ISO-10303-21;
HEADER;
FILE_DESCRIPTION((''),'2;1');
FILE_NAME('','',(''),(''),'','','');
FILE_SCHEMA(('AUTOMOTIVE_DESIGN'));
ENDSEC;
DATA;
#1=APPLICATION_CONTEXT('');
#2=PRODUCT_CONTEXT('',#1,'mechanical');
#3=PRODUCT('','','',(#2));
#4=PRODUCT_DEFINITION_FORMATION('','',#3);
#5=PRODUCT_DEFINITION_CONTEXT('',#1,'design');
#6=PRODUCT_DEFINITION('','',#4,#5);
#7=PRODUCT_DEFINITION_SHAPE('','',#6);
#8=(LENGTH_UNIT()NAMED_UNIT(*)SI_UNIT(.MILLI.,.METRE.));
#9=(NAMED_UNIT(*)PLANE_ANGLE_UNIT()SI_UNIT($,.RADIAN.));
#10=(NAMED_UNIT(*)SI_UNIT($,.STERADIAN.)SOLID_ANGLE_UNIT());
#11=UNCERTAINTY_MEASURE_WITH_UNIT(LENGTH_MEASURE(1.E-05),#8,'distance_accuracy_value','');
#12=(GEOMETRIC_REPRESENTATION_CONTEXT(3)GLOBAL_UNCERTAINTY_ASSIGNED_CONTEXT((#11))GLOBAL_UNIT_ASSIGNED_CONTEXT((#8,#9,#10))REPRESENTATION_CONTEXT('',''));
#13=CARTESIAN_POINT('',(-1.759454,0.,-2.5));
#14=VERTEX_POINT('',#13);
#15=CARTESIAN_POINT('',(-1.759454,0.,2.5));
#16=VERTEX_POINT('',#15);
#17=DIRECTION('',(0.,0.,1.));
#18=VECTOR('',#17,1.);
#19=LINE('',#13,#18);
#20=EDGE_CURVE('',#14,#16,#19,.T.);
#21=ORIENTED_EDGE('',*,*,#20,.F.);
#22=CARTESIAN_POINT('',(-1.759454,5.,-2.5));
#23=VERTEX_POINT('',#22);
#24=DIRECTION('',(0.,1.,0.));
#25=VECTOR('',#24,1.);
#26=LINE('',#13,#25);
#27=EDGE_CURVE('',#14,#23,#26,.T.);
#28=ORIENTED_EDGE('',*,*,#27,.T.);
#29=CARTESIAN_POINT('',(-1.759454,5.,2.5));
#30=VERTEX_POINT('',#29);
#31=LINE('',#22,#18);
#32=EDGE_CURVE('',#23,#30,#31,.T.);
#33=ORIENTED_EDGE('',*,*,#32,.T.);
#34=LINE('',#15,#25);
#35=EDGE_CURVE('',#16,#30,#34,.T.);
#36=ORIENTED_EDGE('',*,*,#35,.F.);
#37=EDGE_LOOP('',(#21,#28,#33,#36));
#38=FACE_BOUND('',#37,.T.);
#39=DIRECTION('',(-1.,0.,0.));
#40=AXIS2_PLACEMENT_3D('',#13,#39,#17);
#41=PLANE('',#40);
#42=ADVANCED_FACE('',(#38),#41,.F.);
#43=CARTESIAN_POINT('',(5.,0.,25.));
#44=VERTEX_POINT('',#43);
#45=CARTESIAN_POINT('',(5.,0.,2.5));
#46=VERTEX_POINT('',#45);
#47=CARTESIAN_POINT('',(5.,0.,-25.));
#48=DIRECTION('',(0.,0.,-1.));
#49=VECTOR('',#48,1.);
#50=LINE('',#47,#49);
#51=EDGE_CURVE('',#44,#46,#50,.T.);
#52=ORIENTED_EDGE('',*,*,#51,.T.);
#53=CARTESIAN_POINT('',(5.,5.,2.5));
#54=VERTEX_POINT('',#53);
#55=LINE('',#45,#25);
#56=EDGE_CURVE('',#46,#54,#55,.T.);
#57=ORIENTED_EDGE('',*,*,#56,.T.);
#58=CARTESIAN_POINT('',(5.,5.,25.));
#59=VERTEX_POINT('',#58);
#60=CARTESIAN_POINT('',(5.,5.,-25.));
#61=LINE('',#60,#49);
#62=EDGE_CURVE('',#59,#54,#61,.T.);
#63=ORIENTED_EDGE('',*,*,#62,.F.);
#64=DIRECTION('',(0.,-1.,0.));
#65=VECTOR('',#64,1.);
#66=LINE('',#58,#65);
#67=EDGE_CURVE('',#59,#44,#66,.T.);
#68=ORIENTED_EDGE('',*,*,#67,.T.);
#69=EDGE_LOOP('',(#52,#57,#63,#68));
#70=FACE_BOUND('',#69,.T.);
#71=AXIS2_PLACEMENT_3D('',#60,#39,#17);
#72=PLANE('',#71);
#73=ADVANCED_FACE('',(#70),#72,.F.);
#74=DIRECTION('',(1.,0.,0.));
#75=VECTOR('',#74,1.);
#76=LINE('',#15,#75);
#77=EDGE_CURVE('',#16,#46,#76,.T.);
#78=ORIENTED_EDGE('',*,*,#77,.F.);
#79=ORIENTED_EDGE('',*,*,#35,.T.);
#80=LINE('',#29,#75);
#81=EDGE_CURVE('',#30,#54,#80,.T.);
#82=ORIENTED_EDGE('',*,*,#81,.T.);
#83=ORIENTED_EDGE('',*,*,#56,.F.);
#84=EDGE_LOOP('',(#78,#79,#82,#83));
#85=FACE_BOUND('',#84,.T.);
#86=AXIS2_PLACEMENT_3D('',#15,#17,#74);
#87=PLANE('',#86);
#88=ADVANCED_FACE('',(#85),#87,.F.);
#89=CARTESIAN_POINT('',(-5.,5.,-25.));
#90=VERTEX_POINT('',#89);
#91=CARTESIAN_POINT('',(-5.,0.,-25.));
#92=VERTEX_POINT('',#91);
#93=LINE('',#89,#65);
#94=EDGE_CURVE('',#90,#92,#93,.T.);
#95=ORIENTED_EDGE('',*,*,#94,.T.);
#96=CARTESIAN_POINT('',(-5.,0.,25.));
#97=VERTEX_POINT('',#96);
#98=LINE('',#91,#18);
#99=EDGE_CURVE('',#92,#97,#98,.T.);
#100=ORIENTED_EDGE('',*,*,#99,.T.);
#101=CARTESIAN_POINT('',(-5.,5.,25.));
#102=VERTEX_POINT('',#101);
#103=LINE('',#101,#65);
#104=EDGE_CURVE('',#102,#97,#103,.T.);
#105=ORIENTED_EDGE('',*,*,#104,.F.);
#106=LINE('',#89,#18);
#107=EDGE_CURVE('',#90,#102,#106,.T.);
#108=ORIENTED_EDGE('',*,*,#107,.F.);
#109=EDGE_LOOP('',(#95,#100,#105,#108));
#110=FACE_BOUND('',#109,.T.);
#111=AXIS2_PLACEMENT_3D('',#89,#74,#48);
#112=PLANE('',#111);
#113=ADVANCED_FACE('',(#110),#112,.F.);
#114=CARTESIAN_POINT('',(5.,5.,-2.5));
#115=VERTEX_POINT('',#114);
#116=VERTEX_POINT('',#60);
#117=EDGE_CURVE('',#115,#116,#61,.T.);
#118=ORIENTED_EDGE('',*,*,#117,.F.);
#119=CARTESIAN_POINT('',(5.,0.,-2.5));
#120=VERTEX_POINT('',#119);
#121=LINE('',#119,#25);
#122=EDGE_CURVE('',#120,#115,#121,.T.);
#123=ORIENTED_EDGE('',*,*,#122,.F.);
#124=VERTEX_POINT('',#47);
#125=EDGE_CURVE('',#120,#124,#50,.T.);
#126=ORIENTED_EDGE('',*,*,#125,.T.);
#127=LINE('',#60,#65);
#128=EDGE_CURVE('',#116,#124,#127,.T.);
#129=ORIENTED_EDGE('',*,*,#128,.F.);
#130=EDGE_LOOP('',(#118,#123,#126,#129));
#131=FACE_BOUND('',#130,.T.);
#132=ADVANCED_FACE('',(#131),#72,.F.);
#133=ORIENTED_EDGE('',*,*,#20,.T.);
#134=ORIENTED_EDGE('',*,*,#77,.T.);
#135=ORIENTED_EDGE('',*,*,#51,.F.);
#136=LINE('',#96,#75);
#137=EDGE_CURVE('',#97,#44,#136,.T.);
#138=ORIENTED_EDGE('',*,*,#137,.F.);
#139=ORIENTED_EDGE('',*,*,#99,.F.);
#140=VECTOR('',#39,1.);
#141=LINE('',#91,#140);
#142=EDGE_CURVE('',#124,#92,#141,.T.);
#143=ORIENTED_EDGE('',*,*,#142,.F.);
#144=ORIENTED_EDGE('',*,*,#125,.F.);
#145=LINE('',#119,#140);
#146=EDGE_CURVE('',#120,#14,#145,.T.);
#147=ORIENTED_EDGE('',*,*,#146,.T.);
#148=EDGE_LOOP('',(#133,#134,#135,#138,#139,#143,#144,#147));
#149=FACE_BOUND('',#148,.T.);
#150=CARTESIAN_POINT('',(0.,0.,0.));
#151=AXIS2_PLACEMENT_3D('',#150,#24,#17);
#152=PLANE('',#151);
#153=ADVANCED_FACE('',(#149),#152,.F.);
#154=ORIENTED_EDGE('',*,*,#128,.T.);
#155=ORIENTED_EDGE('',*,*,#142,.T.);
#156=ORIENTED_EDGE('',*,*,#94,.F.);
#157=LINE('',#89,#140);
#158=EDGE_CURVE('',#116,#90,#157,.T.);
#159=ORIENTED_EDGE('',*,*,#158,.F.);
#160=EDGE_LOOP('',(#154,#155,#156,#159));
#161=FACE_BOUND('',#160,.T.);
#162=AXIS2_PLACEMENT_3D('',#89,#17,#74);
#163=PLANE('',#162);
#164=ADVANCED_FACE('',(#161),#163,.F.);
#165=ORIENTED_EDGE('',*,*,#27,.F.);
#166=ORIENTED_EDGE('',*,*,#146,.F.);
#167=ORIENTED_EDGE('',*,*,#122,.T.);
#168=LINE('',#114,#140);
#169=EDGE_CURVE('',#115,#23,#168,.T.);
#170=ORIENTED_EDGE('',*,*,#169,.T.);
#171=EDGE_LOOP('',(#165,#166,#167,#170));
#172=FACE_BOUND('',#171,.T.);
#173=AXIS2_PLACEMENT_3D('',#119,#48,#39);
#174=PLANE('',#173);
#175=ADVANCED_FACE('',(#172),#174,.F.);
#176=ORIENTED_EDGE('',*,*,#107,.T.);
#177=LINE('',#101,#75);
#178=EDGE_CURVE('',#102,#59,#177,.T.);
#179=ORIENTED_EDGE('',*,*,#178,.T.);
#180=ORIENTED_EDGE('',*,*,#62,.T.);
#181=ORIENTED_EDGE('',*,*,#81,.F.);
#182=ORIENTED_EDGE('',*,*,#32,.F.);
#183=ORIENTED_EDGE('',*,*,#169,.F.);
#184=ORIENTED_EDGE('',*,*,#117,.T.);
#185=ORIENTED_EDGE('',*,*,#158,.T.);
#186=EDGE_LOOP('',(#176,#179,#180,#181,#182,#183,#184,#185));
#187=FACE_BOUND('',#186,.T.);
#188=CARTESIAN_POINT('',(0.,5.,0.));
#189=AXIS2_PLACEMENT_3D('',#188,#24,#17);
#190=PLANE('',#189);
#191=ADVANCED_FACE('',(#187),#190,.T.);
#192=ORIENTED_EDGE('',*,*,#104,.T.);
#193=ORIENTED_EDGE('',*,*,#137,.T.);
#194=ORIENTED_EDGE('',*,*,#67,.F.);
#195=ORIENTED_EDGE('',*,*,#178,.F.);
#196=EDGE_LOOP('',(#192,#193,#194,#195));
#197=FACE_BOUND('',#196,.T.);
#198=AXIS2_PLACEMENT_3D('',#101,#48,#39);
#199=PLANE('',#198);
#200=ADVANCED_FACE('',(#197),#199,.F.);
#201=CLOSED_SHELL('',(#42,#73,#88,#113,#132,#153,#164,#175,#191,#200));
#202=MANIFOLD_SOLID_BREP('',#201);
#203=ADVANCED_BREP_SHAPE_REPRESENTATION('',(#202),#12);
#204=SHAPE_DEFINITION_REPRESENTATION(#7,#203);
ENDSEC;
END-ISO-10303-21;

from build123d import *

# Parameters (mm, degrees)
SKETCH1_W           = 10
SKETCH1_H           = 50
BOSS_EXTRUDE1_DEPTH = 5
CUT_EXTRUDE1_DEPTH  = 26.980762114


with BuildPart() as part:
    # Sketch1 → Boss-Extrude1 (new body)
    with BuildSketch(Plane(origin=(0, 0, 0), x_dir=(1, 0, 0), z_dir=(0, 1, 0))):
        Rectangle(SKETCH1_W, SKETCH1_H)
    extrude(amount=BOSS_EXTRUDE1_DEPTH)

    # Sketch2 → Cut-Extrude1 (cut, through all)
    with BuildSketch(Plane(origin=(0, 5, 0), x_dir=(1, 0, 0), z_dir=(0, 1, 0))):
        Polygon((5, 0), (5, 2.5), (-1.759454012, 2.5), (-1.759454012, -2.5), (5, -2.5), align=None)
    extrude(amount=-CUT_EXTRUDE1_DEPTH, mode=Mode.SUBTRACT)


solid = part.part
